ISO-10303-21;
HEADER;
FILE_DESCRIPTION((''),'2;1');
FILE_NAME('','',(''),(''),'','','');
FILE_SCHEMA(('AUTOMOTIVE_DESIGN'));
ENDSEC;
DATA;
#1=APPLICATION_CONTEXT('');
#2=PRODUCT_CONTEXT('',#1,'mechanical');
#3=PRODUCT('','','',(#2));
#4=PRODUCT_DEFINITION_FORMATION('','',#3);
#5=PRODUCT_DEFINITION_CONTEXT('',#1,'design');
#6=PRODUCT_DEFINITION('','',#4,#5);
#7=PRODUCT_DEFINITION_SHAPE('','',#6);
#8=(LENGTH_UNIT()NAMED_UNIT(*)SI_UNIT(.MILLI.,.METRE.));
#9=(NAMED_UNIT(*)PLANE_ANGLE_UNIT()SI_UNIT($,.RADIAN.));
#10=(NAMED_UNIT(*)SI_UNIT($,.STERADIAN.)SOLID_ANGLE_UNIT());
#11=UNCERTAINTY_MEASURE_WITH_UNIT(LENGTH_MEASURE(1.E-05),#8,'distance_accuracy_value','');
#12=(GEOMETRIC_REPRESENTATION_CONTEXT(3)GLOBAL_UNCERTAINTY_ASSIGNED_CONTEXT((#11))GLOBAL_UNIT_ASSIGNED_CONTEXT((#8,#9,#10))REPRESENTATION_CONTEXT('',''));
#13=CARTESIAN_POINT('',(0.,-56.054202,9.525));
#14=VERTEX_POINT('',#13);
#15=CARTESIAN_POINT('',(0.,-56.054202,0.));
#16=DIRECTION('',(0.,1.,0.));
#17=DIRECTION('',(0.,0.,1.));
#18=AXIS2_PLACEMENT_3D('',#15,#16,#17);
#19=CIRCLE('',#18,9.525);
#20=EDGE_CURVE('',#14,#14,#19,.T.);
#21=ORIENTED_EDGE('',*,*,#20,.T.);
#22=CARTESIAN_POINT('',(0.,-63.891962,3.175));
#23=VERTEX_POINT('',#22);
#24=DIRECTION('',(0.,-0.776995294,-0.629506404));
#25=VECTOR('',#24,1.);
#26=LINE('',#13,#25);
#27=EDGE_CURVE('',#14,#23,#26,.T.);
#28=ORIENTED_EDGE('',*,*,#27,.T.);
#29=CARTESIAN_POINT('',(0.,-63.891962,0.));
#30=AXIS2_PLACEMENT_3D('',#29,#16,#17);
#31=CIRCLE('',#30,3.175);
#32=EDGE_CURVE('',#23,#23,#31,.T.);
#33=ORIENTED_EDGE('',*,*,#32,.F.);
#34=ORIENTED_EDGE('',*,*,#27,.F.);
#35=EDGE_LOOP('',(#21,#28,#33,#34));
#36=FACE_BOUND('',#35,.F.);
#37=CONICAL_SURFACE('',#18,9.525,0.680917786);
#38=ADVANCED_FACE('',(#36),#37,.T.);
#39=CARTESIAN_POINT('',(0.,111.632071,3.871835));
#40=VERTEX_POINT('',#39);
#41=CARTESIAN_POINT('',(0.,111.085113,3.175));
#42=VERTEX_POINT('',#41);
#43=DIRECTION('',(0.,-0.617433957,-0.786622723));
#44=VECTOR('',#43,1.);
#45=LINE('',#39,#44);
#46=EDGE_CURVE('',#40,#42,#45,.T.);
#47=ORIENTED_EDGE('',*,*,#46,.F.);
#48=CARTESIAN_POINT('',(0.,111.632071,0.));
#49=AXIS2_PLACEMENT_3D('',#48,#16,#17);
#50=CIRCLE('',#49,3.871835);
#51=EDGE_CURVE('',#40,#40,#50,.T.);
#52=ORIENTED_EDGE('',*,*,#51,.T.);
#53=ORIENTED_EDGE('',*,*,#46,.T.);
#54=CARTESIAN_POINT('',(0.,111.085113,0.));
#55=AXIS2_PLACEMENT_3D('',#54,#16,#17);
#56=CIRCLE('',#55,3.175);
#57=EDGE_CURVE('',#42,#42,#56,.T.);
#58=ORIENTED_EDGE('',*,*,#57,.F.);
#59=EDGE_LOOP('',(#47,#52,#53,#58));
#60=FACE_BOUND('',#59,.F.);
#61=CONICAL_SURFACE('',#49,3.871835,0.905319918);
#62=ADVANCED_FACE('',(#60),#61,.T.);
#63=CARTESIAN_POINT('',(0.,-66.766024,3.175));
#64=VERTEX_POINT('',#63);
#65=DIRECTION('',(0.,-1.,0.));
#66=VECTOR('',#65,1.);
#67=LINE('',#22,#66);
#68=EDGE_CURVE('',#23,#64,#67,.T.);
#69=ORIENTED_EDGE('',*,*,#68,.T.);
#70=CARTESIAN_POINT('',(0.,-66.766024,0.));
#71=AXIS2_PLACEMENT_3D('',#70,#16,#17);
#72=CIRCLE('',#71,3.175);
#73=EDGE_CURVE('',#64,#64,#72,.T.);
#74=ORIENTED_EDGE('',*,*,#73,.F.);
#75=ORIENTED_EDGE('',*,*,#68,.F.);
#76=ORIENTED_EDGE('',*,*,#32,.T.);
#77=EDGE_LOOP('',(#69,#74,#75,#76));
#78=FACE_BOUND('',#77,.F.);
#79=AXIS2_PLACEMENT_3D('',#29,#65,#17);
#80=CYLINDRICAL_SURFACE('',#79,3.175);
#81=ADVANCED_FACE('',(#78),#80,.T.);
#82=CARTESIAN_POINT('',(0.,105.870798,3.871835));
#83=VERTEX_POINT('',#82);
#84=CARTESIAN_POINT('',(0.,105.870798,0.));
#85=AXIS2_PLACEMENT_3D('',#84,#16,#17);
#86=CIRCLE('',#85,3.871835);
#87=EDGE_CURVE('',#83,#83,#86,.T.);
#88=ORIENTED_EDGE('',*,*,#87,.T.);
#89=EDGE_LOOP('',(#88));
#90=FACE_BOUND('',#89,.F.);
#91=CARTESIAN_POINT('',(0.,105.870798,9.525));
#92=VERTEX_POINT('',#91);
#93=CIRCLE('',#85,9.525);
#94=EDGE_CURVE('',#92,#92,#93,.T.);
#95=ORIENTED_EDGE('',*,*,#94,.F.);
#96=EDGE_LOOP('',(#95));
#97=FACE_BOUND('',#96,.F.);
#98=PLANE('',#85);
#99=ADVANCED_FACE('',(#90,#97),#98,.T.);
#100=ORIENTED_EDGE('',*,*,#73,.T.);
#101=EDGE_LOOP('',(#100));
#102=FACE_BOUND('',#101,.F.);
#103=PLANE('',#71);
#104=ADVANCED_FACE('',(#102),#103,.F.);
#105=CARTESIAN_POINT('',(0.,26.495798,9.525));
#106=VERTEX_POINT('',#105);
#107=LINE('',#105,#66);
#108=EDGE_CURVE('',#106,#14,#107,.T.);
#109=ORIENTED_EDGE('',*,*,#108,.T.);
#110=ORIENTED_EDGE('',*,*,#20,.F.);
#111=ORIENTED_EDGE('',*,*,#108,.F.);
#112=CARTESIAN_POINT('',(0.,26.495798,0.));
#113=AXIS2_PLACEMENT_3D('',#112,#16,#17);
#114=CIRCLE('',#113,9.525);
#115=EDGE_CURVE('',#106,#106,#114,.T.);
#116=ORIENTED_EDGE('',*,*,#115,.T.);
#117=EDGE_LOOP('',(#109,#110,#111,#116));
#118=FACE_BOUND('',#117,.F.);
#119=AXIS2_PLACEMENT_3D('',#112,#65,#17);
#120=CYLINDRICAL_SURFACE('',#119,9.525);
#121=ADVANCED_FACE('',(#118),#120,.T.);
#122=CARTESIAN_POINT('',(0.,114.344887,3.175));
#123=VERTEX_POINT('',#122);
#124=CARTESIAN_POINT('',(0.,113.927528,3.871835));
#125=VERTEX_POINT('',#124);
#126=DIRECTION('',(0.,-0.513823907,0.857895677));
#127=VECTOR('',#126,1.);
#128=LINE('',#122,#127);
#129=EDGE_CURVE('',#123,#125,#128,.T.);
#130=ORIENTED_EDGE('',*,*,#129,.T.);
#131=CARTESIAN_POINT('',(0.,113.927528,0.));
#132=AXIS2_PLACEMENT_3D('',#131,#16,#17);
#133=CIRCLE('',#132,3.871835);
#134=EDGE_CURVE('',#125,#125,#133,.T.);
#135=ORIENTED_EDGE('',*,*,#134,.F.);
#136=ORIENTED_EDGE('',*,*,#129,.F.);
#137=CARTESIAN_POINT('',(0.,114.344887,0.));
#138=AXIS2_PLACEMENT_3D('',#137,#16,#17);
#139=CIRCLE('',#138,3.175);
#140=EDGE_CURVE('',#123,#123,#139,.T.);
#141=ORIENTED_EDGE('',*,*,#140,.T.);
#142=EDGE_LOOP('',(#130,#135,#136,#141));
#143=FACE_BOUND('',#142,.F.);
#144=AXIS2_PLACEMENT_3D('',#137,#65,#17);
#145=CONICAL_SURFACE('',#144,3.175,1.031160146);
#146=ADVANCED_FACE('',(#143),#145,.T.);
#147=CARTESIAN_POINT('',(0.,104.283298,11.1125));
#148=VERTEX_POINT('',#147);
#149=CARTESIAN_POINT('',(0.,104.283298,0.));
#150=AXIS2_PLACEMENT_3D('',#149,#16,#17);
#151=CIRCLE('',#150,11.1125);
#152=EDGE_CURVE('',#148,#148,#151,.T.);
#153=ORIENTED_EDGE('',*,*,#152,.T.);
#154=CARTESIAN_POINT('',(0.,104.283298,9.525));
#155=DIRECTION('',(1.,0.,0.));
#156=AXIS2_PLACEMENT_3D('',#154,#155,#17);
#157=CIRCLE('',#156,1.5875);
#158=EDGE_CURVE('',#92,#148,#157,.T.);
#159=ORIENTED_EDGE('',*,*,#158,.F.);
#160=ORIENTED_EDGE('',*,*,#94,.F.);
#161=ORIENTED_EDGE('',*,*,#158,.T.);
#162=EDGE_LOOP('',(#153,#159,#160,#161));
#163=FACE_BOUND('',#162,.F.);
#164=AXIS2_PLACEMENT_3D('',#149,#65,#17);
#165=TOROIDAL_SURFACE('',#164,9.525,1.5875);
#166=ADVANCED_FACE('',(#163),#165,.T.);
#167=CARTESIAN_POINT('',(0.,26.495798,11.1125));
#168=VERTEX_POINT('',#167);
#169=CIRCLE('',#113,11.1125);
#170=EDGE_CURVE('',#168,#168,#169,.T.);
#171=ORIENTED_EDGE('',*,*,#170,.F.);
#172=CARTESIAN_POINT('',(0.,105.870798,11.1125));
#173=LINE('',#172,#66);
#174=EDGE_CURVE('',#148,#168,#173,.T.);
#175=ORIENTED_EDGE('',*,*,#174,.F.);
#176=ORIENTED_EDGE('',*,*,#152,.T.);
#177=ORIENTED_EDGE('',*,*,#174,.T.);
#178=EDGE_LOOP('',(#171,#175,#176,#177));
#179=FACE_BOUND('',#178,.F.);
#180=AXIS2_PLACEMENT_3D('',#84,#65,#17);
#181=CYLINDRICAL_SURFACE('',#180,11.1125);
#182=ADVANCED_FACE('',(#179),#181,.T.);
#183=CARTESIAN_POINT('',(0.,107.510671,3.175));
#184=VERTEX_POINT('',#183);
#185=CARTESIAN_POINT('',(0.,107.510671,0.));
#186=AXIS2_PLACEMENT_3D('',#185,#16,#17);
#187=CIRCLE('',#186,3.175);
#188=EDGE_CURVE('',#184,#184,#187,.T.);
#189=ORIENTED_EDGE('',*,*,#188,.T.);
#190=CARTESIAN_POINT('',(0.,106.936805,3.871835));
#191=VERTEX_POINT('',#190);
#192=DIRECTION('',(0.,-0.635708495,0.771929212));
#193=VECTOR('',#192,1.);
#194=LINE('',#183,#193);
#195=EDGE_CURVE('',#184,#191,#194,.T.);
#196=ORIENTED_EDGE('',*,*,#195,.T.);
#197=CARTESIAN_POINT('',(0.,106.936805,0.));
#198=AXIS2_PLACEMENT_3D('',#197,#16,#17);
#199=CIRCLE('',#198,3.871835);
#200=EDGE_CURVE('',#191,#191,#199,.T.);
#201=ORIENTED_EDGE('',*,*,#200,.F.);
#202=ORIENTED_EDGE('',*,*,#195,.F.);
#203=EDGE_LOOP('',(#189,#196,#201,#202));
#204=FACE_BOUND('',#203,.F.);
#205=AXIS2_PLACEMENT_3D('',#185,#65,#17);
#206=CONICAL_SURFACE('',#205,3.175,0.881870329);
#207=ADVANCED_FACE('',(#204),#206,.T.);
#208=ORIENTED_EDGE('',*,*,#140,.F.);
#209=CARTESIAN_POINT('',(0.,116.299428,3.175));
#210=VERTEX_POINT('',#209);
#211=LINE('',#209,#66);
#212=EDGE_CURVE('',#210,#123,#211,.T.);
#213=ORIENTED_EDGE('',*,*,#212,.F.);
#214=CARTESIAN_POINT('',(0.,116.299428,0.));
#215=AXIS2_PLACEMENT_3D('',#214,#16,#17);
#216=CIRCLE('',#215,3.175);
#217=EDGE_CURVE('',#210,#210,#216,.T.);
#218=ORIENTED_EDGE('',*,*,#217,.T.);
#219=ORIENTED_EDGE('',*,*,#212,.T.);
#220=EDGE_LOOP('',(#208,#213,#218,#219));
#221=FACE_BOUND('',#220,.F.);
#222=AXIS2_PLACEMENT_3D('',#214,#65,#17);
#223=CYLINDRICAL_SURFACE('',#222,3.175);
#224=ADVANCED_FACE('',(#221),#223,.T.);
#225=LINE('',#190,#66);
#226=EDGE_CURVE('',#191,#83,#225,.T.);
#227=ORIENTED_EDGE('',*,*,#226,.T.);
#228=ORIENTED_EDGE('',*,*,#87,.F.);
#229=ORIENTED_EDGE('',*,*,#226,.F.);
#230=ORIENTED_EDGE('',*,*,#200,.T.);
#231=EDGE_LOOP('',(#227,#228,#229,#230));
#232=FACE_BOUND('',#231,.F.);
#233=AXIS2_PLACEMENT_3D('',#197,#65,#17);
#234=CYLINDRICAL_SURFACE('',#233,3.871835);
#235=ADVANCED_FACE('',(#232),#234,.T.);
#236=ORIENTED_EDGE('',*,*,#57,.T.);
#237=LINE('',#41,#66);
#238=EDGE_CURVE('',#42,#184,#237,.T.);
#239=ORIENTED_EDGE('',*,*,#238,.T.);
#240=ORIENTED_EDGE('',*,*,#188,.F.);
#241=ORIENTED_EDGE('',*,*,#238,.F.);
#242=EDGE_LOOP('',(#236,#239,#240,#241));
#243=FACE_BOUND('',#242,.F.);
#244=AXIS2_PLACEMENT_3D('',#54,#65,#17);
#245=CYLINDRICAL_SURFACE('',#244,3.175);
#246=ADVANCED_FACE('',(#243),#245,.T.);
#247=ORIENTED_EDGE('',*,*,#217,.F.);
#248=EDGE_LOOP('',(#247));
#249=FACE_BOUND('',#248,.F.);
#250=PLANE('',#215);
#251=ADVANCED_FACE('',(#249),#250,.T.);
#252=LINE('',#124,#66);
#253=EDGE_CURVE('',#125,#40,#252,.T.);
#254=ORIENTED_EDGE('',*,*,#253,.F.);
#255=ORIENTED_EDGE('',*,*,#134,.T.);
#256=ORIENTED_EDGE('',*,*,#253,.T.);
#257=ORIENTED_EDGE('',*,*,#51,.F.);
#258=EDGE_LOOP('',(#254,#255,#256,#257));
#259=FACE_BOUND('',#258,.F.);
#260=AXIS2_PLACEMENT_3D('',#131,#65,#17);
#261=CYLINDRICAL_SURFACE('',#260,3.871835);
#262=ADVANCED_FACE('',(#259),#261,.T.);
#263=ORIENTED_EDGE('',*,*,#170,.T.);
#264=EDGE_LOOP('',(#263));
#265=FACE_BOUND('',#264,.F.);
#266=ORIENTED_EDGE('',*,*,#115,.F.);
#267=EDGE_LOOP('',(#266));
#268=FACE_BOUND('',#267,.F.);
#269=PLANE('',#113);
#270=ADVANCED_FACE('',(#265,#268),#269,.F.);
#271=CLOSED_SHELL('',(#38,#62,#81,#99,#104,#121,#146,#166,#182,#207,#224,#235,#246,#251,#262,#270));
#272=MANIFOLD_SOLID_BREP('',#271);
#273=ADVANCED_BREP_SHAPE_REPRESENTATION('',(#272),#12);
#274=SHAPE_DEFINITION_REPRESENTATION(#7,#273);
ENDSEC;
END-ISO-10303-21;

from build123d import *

# Parameters (mm, degrees)
F2_R = 1.5875


with BuildPart() as f1:
    # F0 (on Right) → F1 (revolve)
    with BuildSketch(Plane.YZ):
        Polygon((26.495798, 9.525), (-56.054202, 9.525), (-63.891962, 3.175), (-66.766024, 3.175), (-66.766024, 0), (116.299428, 0), (116.299428, 3.175), (114.344887, 3.175), (113.927528, 3.871835), (111.632071, 3.871835), (111.085113, 3.175), (107.510671, 3.175), (106.936805, 3.871835), (105.870798, 3.871835), (105.870798, 11.1125), (26.495798, 11.1125), align=None)
    revolve(axis=Axis((0, 24.766702, 0), (0, 1, 0)))

    # F2
    f2_edges = [f1.edges().sort_by_distance(p)[0] for p in [
        (0, 105.870798, -11.1125),
    ]]
    fillet(f2_edges, radius=F2_R)


solid = f1.part
